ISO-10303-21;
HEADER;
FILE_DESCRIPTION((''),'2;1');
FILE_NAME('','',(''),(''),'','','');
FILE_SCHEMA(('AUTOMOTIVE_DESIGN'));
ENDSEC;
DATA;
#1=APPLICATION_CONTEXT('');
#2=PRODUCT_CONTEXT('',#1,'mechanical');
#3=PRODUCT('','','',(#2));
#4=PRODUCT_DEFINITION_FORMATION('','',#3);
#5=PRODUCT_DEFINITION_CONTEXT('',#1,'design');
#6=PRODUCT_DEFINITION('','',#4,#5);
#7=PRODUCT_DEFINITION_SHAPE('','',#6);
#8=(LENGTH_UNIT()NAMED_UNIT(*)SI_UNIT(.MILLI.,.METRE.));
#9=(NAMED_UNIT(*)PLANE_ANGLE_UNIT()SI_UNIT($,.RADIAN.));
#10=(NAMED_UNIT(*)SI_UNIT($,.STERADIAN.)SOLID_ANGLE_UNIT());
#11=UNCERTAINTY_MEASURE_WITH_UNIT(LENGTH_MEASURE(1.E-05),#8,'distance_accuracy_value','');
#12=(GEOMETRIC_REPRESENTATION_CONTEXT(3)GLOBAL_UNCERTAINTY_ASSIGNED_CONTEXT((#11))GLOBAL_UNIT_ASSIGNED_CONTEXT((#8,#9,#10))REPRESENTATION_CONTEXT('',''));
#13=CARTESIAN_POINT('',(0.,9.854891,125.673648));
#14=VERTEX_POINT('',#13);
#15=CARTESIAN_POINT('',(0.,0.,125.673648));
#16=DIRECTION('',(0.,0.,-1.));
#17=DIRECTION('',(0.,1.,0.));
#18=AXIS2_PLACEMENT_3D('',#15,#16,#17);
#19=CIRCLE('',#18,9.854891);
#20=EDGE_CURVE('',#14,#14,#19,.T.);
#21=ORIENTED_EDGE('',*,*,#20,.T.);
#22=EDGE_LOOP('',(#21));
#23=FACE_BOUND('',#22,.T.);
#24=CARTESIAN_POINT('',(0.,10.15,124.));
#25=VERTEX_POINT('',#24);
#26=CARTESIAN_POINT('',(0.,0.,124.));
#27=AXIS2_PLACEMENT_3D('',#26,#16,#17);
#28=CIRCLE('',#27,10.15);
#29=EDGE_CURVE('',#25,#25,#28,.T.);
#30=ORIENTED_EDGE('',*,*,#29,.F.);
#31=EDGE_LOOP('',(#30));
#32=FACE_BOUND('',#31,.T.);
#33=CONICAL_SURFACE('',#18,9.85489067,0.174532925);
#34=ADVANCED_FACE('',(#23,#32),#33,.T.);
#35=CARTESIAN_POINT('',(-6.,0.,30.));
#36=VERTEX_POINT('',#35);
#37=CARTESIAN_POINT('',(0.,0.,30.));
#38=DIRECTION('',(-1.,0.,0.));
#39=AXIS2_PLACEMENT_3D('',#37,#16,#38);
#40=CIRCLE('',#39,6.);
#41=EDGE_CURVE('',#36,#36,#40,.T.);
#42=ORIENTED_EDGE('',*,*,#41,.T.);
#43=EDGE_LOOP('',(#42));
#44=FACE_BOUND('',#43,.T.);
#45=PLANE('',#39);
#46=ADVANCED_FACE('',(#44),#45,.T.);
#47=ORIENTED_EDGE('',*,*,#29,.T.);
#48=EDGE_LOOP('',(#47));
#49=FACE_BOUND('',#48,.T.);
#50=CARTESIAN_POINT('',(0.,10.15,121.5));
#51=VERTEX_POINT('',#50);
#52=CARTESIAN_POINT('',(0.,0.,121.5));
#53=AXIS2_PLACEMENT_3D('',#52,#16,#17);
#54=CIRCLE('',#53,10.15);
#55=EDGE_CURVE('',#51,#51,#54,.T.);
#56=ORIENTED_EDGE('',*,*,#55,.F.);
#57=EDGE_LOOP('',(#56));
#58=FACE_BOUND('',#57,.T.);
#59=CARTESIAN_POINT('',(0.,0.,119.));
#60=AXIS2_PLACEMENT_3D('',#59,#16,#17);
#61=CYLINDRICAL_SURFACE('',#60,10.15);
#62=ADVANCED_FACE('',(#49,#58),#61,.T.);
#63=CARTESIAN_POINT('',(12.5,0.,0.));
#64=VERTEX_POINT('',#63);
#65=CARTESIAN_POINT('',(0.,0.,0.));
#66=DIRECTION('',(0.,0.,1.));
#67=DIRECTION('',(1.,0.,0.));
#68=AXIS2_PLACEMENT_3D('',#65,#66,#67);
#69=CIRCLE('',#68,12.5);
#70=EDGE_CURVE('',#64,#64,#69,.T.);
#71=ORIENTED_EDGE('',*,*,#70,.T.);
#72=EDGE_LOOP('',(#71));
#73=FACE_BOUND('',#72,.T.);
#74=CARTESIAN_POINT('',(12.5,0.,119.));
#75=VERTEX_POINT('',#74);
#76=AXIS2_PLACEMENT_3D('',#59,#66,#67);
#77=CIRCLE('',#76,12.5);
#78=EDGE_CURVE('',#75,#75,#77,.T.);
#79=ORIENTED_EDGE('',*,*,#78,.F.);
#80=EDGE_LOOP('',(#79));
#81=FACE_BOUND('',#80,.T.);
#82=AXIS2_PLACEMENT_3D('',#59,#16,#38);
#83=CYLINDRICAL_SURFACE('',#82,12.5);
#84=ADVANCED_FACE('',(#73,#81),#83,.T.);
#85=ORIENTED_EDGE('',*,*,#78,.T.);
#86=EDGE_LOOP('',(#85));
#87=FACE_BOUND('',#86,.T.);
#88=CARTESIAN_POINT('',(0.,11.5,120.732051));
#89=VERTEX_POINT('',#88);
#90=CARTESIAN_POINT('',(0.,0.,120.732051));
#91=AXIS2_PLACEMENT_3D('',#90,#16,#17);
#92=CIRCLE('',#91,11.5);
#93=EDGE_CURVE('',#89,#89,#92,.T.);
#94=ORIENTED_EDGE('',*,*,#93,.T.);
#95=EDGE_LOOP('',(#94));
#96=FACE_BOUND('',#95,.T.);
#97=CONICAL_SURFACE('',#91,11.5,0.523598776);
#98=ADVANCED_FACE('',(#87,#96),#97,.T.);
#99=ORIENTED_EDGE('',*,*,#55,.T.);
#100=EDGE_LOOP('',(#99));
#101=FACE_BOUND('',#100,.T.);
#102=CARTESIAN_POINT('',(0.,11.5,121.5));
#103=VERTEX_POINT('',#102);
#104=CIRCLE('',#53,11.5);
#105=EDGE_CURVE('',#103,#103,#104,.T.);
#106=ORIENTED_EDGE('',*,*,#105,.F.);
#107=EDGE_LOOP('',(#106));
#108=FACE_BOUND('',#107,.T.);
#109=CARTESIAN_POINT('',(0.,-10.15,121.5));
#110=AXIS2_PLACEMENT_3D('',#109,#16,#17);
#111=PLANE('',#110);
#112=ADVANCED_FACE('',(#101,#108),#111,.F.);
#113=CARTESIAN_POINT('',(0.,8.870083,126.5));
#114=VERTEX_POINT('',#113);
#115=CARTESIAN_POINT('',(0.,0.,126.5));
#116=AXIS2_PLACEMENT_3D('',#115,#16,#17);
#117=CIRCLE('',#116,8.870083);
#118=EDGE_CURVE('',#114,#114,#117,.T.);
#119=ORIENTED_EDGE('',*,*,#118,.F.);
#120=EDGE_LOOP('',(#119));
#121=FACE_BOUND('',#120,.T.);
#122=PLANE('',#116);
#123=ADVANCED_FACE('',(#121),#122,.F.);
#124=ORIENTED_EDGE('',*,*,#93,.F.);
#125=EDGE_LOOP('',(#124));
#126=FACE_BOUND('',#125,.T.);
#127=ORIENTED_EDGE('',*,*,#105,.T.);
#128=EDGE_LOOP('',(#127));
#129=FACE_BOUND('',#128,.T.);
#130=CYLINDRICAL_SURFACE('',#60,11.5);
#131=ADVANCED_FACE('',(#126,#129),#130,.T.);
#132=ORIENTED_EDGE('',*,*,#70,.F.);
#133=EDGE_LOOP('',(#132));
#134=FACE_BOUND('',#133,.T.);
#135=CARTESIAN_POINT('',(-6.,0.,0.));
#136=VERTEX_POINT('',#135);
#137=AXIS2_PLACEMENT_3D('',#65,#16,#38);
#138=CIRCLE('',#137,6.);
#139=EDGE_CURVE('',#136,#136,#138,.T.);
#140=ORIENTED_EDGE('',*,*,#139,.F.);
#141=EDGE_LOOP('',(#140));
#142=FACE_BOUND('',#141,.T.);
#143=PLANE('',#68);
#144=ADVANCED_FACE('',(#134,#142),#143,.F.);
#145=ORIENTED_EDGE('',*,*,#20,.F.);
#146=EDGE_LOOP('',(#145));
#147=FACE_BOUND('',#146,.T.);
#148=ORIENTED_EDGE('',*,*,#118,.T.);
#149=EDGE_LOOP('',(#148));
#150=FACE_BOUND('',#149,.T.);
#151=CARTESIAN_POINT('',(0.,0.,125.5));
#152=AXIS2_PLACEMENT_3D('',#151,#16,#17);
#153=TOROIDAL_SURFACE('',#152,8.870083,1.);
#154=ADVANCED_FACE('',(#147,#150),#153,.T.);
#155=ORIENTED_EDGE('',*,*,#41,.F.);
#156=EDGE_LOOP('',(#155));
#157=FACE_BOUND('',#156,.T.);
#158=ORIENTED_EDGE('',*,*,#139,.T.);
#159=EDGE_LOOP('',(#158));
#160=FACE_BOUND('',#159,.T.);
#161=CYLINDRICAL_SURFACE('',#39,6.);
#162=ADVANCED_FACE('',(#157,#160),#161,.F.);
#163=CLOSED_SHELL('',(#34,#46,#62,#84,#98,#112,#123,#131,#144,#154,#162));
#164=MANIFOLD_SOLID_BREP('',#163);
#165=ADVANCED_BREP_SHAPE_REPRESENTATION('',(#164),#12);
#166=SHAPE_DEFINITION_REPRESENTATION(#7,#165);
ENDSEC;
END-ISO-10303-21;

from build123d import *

# Parameters (mm, degrees)
CROQUIS1_R              = 12.5
SALIENTE_EXTRUIR1_DEPTH = 119
CROQUIS5_R              = 6
CORTAR_EXTRUIR1_DEPTH   = 30


with BuildPart() as part:
    # Croquis1 → Saliente-Extruir1 (new body)
    with BuildSketch(Plane.XY):
        Circle(CROQUIS1_R)
    extrude(amount=SALIENTE_EXTRUIR1_DEPTH)

    # Croquis4 → Revolución1 (revolve)
    with BuildSketch(Plane(origin=(0, 0, 0), x_dir=(0, 0, -1), z_dir=(1, 0, 0)), mode=Mode.PRIVATE) as revoluci_n1_sk:
        with BuildLine():
            Line((-119, 0), (-126.5, 0))
            Line((-126.5, 0), (-126.5, -8.870082917))
            ThreePointArc((-126.5, -8.870082917), (-126.266044443, -9.512870527), (-125.673648178, -9.85489067))
            Line((-125.673648178, -9.85489067), (-124, -10.15))
            Line((-124, -10.15), (-121.5, -10.15))
            Line((-121.5, -10.15), (-121.5, -11.5))
            Line((-121.5, -11.5), (-120.732050808, -11.5))
            Line((-120.732050808, -11.5), (-119, -12.5))
            Line((-119, -12.5), (-119, 0))
        make_face()
    revolve(revoluci_n1_sk.sketch.rotate(Axis((0, 0, 119), (0, 0, 1)), 180), axis=Axis((0, 0, 119), (0, 0, 1)))

    # Croquis5 → Cortar-Extruir1 (cut)
    with BuildSketch(Plane(origin=(0, 0, 0), x_dir=(-1, 0, 0), z_dir=(0, 0, -1))):
        Circle(CROQUIS5_R)
    extrude(amount=-CORTAR_EXTRUIR1_DEPTH, mode=Mode.SUBTRACT)


solid = part.part
